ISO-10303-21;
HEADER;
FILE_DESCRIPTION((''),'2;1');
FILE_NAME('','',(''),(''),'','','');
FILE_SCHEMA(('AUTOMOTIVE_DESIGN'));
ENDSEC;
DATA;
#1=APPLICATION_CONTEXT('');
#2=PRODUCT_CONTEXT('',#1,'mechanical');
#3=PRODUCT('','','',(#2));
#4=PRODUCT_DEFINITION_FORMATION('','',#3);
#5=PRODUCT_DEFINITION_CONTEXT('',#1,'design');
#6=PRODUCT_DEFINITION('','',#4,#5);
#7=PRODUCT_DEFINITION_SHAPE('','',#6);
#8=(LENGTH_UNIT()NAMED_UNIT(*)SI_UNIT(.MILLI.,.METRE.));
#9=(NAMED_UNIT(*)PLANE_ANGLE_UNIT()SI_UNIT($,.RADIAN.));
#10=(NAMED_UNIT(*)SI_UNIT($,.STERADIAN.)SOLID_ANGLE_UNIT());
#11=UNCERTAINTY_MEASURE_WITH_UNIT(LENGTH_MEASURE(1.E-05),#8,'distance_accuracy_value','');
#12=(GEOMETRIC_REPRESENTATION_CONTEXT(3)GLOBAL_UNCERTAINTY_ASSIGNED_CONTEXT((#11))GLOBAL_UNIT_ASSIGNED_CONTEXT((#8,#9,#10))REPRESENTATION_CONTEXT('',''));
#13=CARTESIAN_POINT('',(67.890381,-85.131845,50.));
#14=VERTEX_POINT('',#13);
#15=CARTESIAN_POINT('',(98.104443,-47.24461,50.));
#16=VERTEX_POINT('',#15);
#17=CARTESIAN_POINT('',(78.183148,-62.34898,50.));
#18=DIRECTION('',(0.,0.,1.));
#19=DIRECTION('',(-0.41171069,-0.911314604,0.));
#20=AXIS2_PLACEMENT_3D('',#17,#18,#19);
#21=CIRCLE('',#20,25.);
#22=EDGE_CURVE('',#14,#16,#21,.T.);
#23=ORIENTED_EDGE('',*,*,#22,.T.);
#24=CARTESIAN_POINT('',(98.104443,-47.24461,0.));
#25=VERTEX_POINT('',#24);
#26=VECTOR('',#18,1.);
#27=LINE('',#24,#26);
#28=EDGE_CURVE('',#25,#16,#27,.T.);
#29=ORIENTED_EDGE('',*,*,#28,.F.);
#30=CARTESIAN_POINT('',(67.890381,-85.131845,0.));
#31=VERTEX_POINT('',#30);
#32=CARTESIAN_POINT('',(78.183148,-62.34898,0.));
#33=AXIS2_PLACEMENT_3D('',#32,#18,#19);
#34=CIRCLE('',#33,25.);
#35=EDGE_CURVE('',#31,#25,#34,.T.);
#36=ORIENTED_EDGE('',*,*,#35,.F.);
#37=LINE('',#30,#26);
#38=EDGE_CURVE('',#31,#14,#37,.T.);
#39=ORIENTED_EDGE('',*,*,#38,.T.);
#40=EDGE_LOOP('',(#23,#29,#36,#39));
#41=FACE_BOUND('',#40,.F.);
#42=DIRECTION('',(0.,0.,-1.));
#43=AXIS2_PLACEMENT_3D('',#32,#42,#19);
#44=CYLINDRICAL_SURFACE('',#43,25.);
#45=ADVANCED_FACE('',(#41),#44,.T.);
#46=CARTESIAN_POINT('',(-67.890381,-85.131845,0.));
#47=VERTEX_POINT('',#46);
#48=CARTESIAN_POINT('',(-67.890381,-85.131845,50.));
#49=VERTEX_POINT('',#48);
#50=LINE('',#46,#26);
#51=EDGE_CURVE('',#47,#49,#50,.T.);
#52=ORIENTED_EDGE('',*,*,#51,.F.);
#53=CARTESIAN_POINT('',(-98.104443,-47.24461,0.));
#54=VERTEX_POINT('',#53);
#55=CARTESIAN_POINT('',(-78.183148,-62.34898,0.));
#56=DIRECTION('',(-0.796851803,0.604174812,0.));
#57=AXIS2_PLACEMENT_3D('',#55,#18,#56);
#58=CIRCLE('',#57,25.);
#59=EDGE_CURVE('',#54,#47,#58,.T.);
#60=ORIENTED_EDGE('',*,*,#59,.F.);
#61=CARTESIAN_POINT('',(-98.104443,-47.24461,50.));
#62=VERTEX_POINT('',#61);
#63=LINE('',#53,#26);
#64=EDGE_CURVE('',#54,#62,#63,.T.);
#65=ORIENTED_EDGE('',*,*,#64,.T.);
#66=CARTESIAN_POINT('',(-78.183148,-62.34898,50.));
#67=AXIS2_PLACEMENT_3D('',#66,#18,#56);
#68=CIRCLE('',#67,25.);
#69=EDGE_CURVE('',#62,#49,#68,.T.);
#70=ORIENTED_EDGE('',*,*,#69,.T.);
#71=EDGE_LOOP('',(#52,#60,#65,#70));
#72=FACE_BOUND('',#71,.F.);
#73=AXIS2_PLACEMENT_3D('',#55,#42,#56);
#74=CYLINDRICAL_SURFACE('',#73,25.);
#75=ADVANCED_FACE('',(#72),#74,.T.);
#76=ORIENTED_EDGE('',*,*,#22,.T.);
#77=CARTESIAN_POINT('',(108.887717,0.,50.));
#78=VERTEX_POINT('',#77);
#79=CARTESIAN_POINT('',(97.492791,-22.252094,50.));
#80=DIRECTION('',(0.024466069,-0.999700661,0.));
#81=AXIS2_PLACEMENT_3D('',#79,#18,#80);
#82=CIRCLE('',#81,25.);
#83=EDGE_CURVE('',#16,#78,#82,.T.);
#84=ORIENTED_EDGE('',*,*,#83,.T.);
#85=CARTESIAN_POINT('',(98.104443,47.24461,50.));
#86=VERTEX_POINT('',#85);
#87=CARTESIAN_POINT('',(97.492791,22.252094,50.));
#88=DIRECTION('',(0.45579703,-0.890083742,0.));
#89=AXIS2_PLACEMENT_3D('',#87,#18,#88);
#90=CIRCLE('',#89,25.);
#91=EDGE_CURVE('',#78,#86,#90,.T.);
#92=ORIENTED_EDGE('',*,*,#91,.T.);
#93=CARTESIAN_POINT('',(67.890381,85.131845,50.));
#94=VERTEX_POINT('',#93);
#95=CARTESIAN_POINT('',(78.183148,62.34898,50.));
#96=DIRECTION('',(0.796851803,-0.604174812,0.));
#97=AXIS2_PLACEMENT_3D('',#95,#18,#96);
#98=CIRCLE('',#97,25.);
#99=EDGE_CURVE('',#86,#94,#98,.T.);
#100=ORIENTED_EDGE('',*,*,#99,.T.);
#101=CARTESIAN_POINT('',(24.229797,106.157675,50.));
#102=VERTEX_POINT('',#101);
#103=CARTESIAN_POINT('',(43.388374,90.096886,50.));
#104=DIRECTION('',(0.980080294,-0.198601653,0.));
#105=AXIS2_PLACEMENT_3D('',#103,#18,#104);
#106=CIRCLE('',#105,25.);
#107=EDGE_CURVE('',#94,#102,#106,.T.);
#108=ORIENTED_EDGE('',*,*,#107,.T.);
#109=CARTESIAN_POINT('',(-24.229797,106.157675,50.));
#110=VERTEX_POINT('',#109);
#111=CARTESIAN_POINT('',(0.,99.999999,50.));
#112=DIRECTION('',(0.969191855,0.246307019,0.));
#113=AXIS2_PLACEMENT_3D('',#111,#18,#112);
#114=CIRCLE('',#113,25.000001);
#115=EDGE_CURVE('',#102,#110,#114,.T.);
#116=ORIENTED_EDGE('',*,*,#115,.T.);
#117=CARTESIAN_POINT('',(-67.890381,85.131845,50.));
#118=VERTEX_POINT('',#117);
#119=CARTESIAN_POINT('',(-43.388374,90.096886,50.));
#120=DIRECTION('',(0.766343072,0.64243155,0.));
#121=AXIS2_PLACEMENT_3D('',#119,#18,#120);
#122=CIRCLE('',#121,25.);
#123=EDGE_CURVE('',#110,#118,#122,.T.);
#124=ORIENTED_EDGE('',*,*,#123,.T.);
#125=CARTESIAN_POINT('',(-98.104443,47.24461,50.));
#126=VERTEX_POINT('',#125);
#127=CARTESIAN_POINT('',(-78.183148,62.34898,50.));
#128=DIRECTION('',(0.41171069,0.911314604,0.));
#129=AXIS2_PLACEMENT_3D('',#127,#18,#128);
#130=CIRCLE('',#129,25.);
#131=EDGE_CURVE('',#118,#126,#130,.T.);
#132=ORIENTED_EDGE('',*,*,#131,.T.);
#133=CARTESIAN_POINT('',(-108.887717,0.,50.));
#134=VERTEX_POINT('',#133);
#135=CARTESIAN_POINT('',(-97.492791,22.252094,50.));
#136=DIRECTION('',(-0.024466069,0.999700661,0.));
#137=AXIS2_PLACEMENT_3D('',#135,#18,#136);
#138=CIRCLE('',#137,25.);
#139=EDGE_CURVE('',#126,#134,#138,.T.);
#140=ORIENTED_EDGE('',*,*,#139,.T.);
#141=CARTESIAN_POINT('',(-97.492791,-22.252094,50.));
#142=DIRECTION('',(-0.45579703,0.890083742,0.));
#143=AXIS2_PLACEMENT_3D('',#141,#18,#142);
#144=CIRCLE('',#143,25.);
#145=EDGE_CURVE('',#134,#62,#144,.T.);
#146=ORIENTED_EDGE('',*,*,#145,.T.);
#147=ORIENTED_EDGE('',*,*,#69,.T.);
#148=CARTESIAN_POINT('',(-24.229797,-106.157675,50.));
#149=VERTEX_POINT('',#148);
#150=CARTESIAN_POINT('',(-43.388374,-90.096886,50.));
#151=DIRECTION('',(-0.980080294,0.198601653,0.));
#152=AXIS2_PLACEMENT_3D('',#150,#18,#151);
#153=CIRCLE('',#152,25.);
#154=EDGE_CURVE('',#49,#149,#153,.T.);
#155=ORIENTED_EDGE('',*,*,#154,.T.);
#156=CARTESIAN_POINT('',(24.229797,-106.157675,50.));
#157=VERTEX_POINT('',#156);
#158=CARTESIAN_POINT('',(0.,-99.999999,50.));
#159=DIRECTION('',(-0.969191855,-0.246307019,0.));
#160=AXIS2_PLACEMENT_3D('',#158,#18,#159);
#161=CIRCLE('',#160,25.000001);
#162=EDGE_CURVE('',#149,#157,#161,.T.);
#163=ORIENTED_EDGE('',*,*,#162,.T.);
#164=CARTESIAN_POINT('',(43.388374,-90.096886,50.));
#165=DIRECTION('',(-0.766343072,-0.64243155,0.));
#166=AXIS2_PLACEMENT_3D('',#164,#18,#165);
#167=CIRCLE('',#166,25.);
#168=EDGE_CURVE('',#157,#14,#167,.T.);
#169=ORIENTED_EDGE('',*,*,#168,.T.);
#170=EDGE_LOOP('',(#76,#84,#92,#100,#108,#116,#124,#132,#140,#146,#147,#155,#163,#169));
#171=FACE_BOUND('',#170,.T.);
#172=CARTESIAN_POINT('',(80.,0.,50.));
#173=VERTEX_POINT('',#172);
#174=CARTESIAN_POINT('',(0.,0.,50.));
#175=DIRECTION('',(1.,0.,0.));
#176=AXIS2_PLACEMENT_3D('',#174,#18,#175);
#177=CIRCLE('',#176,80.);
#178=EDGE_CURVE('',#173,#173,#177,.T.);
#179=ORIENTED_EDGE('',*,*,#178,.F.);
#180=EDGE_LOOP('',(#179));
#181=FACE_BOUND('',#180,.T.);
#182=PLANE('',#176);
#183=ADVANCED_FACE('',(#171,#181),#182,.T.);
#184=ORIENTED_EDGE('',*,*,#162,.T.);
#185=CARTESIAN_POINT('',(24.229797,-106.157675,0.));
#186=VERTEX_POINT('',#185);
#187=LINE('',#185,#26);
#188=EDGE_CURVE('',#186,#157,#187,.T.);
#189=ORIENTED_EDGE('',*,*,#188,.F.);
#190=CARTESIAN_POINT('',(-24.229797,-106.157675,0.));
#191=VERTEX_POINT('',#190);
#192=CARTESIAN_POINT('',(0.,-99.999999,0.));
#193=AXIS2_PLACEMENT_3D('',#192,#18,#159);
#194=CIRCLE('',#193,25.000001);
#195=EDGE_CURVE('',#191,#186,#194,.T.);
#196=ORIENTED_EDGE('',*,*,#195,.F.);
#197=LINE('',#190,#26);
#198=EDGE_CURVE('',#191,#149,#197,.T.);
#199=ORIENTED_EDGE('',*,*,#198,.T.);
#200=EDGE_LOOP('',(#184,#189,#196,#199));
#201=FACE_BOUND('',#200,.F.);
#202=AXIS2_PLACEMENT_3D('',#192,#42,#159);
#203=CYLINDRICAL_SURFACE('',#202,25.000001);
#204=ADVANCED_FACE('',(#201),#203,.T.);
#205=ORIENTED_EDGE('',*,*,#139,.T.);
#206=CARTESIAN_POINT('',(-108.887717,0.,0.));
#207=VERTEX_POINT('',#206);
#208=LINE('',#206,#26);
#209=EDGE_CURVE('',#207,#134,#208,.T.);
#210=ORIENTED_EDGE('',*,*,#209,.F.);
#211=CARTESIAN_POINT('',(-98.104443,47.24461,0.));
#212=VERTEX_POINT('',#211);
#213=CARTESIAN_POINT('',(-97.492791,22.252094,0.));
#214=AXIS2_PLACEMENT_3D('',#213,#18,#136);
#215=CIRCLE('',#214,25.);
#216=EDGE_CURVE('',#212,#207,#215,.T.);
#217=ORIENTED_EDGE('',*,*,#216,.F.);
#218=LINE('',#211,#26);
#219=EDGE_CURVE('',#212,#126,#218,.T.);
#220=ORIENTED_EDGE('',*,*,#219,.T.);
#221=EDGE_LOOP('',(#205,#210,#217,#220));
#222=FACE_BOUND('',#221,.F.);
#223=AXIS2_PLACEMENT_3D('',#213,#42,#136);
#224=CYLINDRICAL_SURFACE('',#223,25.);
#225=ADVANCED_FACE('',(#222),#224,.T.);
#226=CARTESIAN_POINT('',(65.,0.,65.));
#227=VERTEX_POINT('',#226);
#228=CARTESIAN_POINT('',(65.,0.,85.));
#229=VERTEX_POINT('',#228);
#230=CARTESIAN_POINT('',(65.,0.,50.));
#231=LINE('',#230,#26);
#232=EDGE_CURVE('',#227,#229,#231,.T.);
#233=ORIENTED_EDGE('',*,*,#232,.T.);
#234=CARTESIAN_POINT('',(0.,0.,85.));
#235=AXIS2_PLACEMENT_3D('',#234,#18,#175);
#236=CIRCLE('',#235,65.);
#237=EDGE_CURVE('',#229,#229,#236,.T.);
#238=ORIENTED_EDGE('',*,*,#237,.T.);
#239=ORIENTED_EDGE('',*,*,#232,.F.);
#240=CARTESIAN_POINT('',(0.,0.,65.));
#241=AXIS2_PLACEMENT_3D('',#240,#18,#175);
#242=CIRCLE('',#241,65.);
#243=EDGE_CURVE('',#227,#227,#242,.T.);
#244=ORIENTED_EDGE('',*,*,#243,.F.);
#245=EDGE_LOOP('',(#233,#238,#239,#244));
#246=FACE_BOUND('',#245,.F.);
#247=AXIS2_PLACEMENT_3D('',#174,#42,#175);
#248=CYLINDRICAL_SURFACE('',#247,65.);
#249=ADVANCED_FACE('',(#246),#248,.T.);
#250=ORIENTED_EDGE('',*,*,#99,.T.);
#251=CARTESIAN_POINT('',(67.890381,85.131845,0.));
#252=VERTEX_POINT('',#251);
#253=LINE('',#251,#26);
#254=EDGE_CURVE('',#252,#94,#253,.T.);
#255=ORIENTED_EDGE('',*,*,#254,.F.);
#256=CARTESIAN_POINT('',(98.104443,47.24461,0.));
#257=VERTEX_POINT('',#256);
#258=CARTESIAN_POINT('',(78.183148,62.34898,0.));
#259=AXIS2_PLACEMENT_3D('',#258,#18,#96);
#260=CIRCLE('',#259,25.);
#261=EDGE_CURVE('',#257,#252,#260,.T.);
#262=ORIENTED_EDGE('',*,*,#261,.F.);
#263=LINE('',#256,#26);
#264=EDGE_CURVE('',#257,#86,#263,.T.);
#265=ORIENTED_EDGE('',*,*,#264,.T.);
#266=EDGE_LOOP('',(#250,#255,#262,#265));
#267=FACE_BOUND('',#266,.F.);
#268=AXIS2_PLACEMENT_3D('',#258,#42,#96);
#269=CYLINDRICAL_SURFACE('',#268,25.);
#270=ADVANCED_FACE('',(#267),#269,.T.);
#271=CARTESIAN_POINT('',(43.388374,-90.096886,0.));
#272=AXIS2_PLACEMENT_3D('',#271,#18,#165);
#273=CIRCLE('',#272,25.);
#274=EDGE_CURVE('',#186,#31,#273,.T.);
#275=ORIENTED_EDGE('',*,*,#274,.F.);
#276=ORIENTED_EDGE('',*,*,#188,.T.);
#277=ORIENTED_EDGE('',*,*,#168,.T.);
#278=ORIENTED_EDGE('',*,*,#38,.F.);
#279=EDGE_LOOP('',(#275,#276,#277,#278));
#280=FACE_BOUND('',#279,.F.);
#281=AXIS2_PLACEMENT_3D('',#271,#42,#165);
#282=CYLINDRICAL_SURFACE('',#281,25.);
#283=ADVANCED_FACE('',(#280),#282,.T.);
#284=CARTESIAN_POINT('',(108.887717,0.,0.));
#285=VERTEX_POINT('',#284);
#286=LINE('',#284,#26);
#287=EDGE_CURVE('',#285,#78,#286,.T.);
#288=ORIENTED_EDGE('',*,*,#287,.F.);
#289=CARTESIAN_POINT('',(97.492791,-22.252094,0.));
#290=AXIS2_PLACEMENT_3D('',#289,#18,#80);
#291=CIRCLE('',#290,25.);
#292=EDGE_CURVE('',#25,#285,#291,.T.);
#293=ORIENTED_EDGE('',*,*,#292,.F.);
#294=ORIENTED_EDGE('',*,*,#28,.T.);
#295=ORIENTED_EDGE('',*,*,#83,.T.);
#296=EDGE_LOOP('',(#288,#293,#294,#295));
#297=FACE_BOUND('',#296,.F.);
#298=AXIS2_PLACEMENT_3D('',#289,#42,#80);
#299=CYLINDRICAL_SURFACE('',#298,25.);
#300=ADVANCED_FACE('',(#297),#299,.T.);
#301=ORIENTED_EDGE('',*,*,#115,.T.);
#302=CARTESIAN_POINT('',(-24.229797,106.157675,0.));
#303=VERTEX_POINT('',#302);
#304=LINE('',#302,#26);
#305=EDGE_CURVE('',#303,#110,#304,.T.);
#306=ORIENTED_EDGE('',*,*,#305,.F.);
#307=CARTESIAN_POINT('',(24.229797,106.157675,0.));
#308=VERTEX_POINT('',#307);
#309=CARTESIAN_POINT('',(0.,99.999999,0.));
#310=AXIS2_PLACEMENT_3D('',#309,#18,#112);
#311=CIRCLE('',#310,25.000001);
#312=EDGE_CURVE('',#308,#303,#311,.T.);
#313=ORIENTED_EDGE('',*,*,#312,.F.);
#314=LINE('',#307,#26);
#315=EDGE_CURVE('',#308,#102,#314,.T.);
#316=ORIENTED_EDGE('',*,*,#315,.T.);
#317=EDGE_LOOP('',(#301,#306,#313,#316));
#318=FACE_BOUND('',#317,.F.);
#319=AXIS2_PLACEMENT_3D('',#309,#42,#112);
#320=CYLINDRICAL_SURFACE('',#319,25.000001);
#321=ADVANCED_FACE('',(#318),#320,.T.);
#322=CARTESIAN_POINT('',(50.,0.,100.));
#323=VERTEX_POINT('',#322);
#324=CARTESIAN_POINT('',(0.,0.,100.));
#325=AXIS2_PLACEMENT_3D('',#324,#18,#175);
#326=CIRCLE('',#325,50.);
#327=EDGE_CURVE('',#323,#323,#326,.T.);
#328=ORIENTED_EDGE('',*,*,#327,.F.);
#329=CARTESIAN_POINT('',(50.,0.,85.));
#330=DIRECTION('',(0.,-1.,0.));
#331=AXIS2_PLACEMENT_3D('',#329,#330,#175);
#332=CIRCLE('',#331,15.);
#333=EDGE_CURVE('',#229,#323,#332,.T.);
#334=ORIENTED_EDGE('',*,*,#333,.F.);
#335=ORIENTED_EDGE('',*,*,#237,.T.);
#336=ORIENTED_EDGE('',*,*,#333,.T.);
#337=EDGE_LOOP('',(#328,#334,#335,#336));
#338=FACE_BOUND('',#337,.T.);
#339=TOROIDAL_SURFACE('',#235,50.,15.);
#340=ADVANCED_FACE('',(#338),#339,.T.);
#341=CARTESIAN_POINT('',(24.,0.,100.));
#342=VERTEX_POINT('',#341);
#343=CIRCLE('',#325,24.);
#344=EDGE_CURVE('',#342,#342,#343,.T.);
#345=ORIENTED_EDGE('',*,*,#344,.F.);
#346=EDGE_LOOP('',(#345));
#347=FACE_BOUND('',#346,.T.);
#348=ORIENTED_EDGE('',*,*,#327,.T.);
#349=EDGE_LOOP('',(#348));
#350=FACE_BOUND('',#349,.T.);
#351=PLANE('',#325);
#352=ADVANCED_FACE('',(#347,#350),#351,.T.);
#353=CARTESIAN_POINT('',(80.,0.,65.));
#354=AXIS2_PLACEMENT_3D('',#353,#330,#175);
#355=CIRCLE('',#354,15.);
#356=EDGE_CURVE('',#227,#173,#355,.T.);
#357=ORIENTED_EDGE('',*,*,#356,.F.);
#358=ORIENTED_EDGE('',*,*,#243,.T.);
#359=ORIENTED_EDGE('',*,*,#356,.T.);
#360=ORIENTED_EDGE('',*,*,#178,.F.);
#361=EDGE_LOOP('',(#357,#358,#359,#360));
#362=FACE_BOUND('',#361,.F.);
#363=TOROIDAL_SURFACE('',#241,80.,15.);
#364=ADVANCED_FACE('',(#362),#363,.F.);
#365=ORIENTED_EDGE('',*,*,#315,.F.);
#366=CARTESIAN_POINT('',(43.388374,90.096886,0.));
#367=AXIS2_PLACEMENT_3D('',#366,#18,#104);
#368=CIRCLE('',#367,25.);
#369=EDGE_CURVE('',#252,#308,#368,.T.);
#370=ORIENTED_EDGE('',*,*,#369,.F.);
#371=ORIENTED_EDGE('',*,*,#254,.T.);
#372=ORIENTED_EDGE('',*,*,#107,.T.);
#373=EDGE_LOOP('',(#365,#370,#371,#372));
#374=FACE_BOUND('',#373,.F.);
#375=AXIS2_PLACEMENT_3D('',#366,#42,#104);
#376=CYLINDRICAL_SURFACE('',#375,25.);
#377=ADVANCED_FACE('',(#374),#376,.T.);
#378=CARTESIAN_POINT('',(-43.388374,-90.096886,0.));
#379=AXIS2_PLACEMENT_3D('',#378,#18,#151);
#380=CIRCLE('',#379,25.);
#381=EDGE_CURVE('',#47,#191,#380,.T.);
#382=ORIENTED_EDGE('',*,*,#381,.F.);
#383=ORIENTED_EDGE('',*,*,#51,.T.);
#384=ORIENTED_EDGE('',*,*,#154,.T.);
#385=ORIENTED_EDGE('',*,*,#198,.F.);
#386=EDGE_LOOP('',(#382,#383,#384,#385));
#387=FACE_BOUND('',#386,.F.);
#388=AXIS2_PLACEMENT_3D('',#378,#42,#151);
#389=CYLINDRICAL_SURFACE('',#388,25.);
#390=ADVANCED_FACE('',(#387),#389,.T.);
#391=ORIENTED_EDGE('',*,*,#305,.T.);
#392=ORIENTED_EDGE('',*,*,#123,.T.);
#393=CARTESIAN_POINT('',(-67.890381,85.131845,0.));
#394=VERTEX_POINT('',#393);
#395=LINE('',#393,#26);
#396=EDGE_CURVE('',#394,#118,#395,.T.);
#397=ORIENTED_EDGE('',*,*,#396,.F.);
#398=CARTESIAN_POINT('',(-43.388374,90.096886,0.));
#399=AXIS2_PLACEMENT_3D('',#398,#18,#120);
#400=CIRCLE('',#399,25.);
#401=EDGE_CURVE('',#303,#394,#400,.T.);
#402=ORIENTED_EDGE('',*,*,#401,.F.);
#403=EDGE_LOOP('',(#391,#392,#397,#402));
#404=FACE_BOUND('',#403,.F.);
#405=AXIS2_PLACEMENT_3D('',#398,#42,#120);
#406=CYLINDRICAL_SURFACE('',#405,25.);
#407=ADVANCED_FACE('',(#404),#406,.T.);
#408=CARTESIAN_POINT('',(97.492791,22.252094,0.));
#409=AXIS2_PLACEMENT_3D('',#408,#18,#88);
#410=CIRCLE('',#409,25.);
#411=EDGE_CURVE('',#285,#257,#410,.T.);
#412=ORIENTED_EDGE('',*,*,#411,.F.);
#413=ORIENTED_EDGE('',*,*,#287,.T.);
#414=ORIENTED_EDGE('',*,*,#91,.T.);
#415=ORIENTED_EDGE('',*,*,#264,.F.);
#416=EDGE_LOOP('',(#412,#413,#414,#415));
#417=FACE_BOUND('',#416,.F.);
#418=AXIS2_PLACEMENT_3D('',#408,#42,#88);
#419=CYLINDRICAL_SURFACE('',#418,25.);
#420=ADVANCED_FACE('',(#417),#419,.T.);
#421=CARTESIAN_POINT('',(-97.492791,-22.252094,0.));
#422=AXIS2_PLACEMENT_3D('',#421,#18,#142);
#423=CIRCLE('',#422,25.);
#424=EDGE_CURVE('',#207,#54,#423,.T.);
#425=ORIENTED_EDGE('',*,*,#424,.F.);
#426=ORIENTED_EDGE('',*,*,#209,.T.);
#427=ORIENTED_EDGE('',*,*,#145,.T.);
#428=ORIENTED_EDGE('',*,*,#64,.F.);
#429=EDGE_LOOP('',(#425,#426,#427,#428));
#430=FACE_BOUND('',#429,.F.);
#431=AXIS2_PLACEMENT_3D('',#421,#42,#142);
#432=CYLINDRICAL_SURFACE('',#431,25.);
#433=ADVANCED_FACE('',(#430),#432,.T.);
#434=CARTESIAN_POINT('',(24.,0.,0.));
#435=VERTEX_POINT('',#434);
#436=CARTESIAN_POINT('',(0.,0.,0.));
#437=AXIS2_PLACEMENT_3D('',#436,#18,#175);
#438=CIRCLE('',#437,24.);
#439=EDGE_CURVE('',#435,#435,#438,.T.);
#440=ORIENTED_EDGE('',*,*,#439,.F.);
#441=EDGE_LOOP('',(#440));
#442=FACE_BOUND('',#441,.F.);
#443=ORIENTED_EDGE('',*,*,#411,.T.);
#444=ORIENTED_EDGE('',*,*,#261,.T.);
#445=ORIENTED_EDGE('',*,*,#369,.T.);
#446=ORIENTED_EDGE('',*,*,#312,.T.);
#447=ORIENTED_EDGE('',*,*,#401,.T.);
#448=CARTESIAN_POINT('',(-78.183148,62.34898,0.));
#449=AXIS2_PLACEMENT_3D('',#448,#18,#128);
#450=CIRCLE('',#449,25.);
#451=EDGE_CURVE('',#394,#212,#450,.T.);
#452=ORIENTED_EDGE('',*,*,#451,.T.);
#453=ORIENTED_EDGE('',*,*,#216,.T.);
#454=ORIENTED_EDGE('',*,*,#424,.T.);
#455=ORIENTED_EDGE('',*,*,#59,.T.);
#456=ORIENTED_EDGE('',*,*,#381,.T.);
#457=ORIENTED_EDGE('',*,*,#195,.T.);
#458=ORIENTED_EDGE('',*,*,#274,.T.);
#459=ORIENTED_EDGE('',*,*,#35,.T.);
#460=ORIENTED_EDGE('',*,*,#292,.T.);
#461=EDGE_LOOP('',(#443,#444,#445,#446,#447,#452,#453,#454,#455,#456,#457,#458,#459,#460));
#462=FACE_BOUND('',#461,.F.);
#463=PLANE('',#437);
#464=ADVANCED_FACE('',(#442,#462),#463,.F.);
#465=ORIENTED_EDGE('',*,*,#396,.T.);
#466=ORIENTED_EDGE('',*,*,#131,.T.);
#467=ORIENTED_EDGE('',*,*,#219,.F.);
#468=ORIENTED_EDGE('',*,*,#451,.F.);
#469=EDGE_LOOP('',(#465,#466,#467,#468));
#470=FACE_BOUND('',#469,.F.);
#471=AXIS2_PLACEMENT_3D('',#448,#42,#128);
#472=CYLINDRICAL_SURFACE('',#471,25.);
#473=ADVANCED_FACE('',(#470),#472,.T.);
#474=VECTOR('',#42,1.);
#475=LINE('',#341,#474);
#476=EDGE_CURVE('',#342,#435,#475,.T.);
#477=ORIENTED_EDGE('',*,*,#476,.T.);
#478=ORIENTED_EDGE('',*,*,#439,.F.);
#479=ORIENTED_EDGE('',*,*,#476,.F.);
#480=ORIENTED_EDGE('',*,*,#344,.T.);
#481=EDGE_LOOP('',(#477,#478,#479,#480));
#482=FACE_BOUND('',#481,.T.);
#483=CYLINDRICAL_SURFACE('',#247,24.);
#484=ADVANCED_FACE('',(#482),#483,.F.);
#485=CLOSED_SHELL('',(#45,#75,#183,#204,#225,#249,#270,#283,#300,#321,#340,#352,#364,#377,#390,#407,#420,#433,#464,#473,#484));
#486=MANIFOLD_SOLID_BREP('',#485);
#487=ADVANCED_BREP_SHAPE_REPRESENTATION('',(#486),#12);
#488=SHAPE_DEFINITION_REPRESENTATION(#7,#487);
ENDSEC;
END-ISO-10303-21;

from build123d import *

# Parameters (mm, degrees)
F0_R     = 24
F1_DEPTH = 50
F2_R     = 65
F2_R_2   = 24
F3_DEPTH = 50
F4_R     = 15


with BuildPart() as f1:
    # F0 (on Top) → F1 (new body)
    with BuildSketch(Plane.XY):
        with BuildLine():
            ThreePointArc((67.890381, 85.131845), (54.235467, 112.621108), (24.229797, 106.157675))
            ThreePointArc((24.229797, 106.157675), (0, 125), (-24.229797, 106.157675))
            ThreePointArc((-24.229797, 106.157675), (-54.235467, 112.621108), (-67.890381, 85.131845))
            ThreePointArc((-67.890381, 85.131845), (-97.728935, 77.936225), (-98.104443, 47.24461))
            ThreePointArc((-98.104443, 47.24461), (-121.865989, 27.815117), (-108.887717, 0))
            ThreePointArc((-108.887717, 0), (-121.865989, -27.815117), (-98.104443, -47.24461))
            ThreePointArc((-98.104443, -47.24461), (-97.728935, -77.936225), (-67.890381, -85.131845))
            ThreePointArc((-67.890381, -85.131845), (-54.235467, -112.621108), (-24.229797, -106.157675))
            ThreePointArc((-24.229797, -106.157675), (0, -125), (24.229797, -106.157675))
            ThreePointArc((24.229797, -106.157675), (54.235467, -112.621108), (67.890381, -85.131845))
            ThreePointArc((67.890381, -85.131845), (97.728935, -77.936225), (98.104443, -47.24461))
            ThreePointArc((98.104443, -47.24461), (121.865989, -27.815117), (108.887717, 0))
            ThreePointArc((108.887717, 0), (121.865989, 27.815117), (98.104443, 47.24461))
            ThreePointArc((98.104443, 47.24461), (97.728935, 77.936225), (67.890381, 85.131845))
        make_face()
        Circle(F0_R, mode=Mode.SUBTRACT)
    extrude(amount=F1_DEPTH)

    # F2 (on face) → F3 (join)
    with BuildSketch(Plane.XY.offset(50)):
        Circle(F2_R)
        Circle(F2_R_2, mode=Mode.SUBTRACT)
    extrude(amount=F3_DEPTH)

    # F4
    f4_edges = [f1.edges().sort_by_distance(p)[0] for p in [
        (-65, 0, 50),
        (-65, 0, 100),
    ]]
    fillet(f4_edges, radius=F4_R)


solid = f1.part
